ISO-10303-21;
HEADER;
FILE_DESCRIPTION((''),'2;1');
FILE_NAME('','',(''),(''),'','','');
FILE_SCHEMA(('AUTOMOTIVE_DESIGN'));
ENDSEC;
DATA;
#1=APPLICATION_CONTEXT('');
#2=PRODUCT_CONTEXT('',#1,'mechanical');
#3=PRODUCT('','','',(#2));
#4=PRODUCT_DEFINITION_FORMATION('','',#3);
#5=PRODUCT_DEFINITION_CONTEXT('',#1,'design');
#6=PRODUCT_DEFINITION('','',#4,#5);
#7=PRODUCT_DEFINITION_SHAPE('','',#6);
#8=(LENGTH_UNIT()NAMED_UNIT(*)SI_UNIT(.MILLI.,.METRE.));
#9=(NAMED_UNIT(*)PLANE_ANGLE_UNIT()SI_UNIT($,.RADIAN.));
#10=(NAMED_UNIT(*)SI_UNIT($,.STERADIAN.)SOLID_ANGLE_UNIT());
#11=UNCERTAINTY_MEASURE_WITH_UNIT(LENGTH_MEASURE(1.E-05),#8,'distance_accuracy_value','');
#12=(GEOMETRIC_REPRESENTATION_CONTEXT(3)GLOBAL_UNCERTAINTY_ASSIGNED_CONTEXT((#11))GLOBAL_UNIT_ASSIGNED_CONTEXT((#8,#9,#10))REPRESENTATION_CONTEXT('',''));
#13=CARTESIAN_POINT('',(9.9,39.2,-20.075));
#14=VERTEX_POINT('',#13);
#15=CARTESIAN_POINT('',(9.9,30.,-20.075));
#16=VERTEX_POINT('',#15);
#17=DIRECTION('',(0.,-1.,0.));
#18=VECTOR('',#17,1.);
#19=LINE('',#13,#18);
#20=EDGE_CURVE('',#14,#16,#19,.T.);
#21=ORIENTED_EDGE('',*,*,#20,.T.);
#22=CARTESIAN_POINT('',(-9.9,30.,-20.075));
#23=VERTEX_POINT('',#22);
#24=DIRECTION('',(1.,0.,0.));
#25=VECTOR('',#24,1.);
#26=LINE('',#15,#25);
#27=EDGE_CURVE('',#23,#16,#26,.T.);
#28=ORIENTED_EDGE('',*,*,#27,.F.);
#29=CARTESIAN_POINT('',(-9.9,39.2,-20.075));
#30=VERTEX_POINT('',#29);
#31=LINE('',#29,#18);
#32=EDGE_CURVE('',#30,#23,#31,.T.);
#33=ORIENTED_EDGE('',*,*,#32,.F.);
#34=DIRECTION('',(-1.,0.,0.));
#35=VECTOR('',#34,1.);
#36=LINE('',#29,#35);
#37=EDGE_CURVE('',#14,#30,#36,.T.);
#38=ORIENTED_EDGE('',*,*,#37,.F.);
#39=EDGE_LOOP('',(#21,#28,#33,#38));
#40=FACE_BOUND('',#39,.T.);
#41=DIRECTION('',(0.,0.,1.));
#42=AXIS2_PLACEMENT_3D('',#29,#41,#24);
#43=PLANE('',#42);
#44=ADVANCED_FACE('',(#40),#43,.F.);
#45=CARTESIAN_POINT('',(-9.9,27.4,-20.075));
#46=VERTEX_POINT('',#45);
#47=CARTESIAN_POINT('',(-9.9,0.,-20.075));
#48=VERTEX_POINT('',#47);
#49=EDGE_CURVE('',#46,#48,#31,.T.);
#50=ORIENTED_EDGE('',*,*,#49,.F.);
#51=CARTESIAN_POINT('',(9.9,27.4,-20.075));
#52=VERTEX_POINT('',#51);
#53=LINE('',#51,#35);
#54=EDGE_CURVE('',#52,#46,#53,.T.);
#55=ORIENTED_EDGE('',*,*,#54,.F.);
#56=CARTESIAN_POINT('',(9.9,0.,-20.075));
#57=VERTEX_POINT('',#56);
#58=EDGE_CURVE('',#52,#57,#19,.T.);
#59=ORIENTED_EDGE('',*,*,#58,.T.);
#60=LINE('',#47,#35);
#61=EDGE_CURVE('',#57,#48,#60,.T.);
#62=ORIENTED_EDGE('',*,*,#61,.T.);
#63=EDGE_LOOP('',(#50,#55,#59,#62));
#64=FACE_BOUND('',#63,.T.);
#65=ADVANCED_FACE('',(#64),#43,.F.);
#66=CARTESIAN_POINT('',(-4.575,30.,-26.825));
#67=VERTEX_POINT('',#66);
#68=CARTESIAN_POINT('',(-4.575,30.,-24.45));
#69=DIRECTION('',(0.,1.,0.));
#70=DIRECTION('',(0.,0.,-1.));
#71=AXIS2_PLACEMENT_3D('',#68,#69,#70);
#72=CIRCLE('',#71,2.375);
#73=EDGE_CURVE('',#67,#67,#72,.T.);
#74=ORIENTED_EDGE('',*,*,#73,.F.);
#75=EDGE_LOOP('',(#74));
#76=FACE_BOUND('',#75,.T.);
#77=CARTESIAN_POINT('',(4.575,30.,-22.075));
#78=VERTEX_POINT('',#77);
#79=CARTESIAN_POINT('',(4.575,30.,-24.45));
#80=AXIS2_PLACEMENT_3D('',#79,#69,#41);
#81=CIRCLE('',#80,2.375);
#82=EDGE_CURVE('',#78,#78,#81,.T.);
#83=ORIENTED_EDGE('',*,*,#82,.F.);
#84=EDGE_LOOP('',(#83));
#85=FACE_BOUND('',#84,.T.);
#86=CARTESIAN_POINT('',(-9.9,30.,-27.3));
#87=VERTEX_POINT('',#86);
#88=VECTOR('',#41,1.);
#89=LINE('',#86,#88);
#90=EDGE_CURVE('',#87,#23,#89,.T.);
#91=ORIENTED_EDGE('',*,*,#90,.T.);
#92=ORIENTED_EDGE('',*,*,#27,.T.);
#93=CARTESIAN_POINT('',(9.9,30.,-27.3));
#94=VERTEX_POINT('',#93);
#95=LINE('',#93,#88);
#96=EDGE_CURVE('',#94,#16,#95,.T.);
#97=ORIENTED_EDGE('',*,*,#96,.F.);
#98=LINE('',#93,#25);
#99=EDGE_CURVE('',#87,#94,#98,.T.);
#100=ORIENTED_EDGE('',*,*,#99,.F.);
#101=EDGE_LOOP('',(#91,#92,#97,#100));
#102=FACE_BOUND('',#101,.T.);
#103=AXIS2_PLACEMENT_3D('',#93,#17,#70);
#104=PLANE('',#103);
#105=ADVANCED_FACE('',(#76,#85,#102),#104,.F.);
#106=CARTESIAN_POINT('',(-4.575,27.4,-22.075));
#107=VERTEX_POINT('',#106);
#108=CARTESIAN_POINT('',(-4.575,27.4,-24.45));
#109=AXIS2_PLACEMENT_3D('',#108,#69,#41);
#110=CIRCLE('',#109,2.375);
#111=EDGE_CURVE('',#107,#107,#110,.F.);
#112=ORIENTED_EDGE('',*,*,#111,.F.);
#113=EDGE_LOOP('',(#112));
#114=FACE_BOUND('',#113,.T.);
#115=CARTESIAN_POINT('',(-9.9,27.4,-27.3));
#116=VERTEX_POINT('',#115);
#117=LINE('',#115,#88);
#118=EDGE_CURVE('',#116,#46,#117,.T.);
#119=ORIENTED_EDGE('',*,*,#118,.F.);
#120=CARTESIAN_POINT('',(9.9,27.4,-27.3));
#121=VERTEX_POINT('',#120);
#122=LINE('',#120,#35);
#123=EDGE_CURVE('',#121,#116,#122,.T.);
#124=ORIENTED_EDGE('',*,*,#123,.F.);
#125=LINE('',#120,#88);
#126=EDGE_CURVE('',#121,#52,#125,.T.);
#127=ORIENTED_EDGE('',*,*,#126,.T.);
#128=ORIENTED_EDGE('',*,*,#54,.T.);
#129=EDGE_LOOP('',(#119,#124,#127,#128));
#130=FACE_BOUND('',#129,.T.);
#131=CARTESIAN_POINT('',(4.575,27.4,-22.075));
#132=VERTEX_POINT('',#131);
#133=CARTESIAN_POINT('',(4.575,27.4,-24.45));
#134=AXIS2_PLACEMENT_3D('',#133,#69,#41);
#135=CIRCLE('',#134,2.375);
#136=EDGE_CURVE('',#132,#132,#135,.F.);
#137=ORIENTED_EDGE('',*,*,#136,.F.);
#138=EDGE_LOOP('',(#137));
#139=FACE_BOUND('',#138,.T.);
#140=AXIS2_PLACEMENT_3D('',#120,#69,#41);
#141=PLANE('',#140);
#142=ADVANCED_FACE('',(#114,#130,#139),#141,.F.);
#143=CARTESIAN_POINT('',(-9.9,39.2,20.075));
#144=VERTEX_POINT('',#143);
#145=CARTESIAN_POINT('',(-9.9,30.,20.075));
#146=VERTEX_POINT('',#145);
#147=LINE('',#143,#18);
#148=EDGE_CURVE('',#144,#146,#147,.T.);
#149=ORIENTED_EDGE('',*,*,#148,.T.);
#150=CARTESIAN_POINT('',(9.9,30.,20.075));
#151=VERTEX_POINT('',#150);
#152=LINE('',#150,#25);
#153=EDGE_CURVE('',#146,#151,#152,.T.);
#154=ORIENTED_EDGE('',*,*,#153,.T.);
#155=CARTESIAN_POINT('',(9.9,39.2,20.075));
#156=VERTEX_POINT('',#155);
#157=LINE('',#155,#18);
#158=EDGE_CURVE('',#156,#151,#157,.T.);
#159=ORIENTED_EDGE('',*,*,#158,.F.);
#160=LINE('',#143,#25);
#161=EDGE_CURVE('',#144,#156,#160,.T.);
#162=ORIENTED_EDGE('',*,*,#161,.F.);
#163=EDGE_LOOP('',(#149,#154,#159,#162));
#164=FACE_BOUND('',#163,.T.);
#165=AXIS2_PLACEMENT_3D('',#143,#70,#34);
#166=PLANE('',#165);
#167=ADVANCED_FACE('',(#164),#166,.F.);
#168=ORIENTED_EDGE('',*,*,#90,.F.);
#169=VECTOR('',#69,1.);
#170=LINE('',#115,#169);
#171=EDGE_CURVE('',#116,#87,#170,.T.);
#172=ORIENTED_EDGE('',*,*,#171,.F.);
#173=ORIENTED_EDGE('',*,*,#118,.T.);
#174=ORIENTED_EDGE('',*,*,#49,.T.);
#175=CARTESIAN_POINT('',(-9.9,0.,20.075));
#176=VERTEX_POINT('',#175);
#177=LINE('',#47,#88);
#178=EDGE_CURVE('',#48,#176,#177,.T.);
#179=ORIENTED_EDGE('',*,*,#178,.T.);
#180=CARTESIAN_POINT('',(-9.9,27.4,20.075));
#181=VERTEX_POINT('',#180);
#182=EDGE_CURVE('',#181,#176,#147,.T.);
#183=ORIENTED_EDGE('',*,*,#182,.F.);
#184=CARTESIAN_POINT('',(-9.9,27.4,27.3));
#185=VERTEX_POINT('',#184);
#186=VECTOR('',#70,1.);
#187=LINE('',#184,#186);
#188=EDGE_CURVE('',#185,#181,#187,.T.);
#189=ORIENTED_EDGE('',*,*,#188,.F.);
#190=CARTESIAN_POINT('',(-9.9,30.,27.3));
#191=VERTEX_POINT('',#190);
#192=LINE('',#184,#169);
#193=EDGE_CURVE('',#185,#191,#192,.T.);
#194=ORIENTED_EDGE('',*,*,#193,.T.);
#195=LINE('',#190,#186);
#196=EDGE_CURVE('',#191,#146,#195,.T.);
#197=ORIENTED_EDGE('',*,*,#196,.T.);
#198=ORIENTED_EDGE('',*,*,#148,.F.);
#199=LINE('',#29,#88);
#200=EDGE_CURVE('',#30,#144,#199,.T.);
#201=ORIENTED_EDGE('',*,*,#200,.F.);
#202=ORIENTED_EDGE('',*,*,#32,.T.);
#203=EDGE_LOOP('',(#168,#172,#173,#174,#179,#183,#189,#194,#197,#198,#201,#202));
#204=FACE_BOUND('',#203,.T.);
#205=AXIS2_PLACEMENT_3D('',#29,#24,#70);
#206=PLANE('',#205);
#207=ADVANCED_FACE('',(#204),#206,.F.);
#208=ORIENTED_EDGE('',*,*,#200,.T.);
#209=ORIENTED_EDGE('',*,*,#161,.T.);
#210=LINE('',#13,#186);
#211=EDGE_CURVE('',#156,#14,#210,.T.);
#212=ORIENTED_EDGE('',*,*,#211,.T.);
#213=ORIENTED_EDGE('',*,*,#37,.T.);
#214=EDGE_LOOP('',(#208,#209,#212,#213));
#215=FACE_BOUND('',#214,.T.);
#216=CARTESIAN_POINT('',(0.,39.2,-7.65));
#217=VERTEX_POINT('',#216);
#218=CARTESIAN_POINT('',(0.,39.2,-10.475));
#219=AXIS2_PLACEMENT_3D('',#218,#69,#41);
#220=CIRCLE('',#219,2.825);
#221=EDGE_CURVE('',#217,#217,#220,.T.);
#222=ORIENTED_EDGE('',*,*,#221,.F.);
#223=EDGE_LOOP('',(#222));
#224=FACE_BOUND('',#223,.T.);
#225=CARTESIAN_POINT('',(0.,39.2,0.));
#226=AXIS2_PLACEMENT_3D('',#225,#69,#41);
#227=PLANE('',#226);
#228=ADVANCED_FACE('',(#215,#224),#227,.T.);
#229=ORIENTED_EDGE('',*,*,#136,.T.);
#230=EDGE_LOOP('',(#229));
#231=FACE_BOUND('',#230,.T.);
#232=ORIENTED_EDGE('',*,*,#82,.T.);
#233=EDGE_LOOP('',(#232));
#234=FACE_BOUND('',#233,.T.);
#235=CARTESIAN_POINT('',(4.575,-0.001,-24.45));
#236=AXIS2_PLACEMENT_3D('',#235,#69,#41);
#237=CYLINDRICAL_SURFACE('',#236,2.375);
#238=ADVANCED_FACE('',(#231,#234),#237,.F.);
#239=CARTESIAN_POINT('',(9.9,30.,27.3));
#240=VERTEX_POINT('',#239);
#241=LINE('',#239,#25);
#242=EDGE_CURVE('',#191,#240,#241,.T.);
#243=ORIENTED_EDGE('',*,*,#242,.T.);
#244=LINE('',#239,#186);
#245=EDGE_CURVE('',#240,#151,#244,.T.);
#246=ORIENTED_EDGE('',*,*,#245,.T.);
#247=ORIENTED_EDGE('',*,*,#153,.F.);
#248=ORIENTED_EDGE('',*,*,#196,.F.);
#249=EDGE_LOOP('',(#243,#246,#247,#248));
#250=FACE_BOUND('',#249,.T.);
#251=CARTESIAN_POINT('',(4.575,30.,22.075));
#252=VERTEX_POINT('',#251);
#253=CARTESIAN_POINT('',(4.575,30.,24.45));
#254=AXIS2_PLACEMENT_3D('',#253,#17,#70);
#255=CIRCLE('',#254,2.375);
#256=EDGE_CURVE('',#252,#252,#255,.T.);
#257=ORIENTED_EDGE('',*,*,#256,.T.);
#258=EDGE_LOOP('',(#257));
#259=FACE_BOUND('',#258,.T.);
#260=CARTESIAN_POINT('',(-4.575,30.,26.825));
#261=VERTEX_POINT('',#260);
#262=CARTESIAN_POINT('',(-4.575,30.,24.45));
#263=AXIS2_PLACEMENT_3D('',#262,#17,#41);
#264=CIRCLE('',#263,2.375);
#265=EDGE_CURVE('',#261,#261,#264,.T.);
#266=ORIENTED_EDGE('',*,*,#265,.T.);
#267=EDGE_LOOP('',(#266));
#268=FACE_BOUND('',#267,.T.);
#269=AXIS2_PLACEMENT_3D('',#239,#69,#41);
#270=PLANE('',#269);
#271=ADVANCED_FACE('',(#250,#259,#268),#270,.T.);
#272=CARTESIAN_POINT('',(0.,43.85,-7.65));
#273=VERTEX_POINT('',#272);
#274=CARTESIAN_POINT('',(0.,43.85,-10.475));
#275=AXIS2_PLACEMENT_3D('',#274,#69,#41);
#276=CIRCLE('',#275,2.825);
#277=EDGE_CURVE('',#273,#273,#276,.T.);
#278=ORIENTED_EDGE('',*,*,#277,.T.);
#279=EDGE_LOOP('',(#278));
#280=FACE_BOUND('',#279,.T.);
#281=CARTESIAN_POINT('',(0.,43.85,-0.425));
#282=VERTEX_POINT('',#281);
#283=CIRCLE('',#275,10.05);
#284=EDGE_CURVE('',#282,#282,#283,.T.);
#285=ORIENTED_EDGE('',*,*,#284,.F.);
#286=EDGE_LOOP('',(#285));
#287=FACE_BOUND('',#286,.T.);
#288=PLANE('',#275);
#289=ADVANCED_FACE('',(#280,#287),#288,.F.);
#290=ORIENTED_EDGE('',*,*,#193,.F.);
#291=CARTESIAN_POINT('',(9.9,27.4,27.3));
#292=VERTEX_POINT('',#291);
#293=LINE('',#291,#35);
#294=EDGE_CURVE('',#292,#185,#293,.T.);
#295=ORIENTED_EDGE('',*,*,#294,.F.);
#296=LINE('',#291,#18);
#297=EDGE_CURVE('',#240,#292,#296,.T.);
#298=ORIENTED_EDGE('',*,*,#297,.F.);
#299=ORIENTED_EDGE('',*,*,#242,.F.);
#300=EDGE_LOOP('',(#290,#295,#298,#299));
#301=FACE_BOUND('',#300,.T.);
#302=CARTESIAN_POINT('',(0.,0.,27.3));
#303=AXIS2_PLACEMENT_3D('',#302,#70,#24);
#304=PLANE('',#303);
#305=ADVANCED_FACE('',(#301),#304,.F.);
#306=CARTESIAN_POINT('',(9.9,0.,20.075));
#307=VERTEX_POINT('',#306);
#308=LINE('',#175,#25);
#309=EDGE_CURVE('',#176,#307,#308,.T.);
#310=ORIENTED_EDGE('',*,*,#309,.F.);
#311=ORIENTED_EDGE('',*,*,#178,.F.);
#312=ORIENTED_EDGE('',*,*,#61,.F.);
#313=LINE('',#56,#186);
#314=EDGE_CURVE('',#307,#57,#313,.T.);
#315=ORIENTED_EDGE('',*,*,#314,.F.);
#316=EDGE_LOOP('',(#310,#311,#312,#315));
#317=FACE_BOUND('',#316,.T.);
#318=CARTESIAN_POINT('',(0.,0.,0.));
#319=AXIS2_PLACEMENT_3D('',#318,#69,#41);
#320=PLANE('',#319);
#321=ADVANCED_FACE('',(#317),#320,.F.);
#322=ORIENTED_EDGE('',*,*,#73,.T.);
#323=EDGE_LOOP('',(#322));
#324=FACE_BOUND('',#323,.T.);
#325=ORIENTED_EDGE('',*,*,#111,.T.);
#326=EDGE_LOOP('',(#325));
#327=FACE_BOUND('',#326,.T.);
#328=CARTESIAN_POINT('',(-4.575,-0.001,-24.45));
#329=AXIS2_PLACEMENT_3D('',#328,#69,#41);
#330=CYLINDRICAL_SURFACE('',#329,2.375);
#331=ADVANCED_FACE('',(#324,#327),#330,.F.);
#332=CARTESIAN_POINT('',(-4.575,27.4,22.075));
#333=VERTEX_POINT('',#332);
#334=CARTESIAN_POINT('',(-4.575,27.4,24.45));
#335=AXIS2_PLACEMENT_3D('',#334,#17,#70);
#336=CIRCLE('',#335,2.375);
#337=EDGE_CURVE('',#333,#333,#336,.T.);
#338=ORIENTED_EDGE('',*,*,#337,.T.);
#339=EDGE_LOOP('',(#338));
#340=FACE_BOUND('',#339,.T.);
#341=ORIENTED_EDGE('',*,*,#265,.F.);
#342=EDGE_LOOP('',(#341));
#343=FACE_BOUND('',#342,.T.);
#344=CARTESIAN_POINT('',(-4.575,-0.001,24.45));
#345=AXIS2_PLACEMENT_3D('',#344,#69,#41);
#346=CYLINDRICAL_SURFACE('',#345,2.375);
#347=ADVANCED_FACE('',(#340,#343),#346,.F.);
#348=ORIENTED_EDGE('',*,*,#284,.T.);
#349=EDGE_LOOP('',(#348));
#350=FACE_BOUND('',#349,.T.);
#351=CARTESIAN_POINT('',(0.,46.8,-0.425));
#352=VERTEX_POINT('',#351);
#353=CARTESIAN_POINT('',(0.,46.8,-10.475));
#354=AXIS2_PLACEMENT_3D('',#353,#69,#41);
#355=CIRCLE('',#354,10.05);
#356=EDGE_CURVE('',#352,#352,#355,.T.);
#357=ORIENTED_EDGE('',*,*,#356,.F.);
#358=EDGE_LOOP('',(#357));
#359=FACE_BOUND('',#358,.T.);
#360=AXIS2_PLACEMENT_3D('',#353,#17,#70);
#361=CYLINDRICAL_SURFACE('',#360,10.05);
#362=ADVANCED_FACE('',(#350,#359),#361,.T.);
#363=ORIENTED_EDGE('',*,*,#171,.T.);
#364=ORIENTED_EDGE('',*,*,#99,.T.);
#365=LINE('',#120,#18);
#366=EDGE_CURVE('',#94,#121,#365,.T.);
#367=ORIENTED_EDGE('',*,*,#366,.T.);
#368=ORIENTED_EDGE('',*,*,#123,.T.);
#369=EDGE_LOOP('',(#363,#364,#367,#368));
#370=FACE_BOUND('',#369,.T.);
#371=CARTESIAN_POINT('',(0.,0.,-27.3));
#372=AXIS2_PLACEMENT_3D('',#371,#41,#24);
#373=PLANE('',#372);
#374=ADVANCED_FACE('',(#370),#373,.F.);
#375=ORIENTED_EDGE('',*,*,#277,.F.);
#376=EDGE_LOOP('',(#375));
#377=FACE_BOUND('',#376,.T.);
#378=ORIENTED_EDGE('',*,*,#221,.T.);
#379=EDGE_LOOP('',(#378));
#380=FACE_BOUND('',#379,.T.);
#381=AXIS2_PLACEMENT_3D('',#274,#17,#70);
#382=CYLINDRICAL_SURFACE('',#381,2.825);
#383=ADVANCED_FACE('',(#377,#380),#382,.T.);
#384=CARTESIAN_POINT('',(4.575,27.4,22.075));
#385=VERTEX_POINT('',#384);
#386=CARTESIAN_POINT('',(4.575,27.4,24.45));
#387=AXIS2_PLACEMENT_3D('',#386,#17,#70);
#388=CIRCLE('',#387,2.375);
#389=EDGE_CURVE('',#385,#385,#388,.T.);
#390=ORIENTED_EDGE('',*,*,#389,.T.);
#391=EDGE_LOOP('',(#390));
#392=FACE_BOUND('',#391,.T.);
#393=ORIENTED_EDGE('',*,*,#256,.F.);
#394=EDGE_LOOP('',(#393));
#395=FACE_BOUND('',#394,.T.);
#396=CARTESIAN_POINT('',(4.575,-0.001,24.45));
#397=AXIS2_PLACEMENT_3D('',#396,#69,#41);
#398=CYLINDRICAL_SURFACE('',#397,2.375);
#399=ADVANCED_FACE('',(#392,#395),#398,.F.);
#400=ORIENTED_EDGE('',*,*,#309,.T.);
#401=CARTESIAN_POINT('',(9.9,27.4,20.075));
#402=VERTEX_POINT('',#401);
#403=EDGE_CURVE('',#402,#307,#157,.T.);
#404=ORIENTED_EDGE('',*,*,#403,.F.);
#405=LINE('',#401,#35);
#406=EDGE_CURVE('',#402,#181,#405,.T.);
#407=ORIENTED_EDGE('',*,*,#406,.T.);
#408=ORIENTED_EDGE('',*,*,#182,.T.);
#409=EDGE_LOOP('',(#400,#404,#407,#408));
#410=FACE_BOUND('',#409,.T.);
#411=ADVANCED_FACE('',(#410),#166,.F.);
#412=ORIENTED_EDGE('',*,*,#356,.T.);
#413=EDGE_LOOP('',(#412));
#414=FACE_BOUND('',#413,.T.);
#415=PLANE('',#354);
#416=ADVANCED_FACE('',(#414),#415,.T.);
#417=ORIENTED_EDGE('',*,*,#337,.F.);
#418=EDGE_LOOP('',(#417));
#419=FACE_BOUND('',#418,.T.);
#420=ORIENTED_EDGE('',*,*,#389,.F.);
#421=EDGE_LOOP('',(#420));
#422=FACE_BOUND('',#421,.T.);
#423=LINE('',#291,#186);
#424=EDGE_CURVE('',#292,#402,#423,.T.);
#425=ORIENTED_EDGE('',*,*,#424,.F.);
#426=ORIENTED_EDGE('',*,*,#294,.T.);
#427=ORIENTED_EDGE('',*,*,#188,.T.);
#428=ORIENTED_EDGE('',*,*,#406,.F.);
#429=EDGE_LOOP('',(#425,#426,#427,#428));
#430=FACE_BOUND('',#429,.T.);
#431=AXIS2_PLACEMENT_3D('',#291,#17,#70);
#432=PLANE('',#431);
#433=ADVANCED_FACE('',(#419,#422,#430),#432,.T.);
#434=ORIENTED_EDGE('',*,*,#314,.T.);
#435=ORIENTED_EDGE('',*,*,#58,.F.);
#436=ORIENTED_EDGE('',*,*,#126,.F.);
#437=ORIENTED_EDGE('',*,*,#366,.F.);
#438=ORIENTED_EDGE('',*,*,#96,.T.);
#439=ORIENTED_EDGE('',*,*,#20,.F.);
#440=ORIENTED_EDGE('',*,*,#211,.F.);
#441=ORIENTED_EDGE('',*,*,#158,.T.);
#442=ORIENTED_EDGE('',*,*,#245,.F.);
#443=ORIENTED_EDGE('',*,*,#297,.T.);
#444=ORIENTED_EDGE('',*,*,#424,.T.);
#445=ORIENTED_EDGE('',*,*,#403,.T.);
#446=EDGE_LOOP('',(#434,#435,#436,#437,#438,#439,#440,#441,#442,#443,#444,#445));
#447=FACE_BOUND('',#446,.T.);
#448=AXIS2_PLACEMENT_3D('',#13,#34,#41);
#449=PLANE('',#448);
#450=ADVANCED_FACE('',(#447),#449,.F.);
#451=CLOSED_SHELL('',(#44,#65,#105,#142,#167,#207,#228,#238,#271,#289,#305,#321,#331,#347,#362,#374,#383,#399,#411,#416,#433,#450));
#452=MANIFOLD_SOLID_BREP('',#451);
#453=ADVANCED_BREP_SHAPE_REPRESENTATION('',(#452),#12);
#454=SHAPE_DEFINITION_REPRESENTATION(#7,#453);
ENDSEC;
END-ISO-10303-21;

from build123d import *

# Parameters (mm, degrees)
SKETCH1_W           = 19.8
SKETCH1_H           = 40.15
BOSS_EXTRUDE1_DEPTH = 39.2
SKETCH4_W           = 19.8
SKETCH4_H           = 2.6
BOSS_EXTRUDE2_DEPTH = 7.225
CUT_EXTRUDE1_REACH  = 43.753
SKETCH5_R           = 2.375
SKETCH6_R           = 2.825
BOSS_EXTRUDE3_DEPTH = 4.65
SKETCH8_R           = 10.05
BOSS_EXTRUDE4_DEPTH = 2.95


with BuildPart() as part:
    # Sketch1 → Boss-Extrude1 (new body)
    with BuildSketch(Plane(origin=(0, 0, 0), x_dir=(1, 0, 0), z_dir=(0, 1, 0))):
        Rectangle(SKETCH1_W, SKETCH1_H)
    extrude(amount=BOSS_EXTRUDE1_DEPTH)

    # Sketch4 → Boss-Extrude2 (add)
    with BuildSketch(Plane(origin=(0, 0, -20.075), x_dir=(-1, 0, 0), z_dir=(0, 0, -1))):
        with Locations((0, 28.7)):
            Rectangle(SKETCH4_W, SKETCH4_H)
    boss_extrude2 = extrude(amount=BOSS_EXTRUDE2_DEPTH)

    # Sketch5 → Cut-Extrude1 (cut, up to next)
    with BuildSketch(Plane(origin=(0, 30, 0), x_dir=(1, 0, 0), z_dir=(0, 1, 0)), mode=Mode.PRIVATE) as cut_extrude1_sk1:
        with Locations(Location((4.575, 24.45, 0), (0, 0, 270))):
            Circle(SKETCH5_R)
    cut_extrude1_tool1 = extrude(cut_extrude1_sk1.sketch, amount=-CUT_EXTRUDE1_REACH, mode=Mode.PRIVATE) & part.part
    # Sketch5 → Cut-Extrude1 (cut, up to next)
    with BuildSketch(Plane(origin=(0, 30, 0), x_dir=(1, 0, 0), z_dir=(0, 1, 0)), mode=Mode.PRIVATE) as cut_extrude1_sk2:
        with Locations(Location((-4.575, 24.45, 0), (0, 0, 270))):
            Circle(SKETCH5_R)
    cut_extrude1_tool2 = extrude(cut_extrude1_sk2.sketch, amount=-CUT_EXTRUDE1_REACH, mode=Mode.PRIVATE) & part.part
    cut_extrude1_1 = cut_extrude1_tool1.solids().sort_by_distance((4.575, 30, -24.45))[0]
    add(cut_extrude1_1, mode=Mode.SUBTRACT)
    cut_extrude1_2 = cut_extrude1_tool2.solids().sort_by_distance((-4.575, 30, -24.45))[0]
    add(cut_extrude1_2, mode=Mode.SUBTRACT)
    cut_extrude1 = cut_extrude1_1 + cut_extrude1_2  # Cut-Extrude1 as one shape, for the pattern or mirror that repeats it

    # Mirror2: Boss-Extrude2, Cut-Extrude1 across plane
    add(boss_extrude2.mirror(Plane.XY))
    add(cut_extrude1.mirror(Plane.XY), mode=Mode.SUBTRACT)

    # Sketch6 → Boss-Extrude3 (add)
    with BuildSketch(Plane(origin=(0, 39.2, 0), x_dir=(1, 0, 0), z_dir=(0, 1, 0))):
        with Locations(Location((0, 10.475, 0), (0, 0, 270))):
            Circle(SKETCH6_R)
    extrude(amount=BOSS_EXTRUDE3_DEPTH)

    # Sketch8 → Boss-Extrude4 (add)
    with BuildSketch(Plane(origin=(0, 43.85, 0), x_dir=(1, 0, 0), z_dir=(0, 1, 0))):
        with Locations(Location((0, 10.475, 0), (0, 0, 270))):
            Circle(SKETCH8_R)
    extrude(amount=BOSS_EXTRUDE4_DEPTH)


solid = part.part
